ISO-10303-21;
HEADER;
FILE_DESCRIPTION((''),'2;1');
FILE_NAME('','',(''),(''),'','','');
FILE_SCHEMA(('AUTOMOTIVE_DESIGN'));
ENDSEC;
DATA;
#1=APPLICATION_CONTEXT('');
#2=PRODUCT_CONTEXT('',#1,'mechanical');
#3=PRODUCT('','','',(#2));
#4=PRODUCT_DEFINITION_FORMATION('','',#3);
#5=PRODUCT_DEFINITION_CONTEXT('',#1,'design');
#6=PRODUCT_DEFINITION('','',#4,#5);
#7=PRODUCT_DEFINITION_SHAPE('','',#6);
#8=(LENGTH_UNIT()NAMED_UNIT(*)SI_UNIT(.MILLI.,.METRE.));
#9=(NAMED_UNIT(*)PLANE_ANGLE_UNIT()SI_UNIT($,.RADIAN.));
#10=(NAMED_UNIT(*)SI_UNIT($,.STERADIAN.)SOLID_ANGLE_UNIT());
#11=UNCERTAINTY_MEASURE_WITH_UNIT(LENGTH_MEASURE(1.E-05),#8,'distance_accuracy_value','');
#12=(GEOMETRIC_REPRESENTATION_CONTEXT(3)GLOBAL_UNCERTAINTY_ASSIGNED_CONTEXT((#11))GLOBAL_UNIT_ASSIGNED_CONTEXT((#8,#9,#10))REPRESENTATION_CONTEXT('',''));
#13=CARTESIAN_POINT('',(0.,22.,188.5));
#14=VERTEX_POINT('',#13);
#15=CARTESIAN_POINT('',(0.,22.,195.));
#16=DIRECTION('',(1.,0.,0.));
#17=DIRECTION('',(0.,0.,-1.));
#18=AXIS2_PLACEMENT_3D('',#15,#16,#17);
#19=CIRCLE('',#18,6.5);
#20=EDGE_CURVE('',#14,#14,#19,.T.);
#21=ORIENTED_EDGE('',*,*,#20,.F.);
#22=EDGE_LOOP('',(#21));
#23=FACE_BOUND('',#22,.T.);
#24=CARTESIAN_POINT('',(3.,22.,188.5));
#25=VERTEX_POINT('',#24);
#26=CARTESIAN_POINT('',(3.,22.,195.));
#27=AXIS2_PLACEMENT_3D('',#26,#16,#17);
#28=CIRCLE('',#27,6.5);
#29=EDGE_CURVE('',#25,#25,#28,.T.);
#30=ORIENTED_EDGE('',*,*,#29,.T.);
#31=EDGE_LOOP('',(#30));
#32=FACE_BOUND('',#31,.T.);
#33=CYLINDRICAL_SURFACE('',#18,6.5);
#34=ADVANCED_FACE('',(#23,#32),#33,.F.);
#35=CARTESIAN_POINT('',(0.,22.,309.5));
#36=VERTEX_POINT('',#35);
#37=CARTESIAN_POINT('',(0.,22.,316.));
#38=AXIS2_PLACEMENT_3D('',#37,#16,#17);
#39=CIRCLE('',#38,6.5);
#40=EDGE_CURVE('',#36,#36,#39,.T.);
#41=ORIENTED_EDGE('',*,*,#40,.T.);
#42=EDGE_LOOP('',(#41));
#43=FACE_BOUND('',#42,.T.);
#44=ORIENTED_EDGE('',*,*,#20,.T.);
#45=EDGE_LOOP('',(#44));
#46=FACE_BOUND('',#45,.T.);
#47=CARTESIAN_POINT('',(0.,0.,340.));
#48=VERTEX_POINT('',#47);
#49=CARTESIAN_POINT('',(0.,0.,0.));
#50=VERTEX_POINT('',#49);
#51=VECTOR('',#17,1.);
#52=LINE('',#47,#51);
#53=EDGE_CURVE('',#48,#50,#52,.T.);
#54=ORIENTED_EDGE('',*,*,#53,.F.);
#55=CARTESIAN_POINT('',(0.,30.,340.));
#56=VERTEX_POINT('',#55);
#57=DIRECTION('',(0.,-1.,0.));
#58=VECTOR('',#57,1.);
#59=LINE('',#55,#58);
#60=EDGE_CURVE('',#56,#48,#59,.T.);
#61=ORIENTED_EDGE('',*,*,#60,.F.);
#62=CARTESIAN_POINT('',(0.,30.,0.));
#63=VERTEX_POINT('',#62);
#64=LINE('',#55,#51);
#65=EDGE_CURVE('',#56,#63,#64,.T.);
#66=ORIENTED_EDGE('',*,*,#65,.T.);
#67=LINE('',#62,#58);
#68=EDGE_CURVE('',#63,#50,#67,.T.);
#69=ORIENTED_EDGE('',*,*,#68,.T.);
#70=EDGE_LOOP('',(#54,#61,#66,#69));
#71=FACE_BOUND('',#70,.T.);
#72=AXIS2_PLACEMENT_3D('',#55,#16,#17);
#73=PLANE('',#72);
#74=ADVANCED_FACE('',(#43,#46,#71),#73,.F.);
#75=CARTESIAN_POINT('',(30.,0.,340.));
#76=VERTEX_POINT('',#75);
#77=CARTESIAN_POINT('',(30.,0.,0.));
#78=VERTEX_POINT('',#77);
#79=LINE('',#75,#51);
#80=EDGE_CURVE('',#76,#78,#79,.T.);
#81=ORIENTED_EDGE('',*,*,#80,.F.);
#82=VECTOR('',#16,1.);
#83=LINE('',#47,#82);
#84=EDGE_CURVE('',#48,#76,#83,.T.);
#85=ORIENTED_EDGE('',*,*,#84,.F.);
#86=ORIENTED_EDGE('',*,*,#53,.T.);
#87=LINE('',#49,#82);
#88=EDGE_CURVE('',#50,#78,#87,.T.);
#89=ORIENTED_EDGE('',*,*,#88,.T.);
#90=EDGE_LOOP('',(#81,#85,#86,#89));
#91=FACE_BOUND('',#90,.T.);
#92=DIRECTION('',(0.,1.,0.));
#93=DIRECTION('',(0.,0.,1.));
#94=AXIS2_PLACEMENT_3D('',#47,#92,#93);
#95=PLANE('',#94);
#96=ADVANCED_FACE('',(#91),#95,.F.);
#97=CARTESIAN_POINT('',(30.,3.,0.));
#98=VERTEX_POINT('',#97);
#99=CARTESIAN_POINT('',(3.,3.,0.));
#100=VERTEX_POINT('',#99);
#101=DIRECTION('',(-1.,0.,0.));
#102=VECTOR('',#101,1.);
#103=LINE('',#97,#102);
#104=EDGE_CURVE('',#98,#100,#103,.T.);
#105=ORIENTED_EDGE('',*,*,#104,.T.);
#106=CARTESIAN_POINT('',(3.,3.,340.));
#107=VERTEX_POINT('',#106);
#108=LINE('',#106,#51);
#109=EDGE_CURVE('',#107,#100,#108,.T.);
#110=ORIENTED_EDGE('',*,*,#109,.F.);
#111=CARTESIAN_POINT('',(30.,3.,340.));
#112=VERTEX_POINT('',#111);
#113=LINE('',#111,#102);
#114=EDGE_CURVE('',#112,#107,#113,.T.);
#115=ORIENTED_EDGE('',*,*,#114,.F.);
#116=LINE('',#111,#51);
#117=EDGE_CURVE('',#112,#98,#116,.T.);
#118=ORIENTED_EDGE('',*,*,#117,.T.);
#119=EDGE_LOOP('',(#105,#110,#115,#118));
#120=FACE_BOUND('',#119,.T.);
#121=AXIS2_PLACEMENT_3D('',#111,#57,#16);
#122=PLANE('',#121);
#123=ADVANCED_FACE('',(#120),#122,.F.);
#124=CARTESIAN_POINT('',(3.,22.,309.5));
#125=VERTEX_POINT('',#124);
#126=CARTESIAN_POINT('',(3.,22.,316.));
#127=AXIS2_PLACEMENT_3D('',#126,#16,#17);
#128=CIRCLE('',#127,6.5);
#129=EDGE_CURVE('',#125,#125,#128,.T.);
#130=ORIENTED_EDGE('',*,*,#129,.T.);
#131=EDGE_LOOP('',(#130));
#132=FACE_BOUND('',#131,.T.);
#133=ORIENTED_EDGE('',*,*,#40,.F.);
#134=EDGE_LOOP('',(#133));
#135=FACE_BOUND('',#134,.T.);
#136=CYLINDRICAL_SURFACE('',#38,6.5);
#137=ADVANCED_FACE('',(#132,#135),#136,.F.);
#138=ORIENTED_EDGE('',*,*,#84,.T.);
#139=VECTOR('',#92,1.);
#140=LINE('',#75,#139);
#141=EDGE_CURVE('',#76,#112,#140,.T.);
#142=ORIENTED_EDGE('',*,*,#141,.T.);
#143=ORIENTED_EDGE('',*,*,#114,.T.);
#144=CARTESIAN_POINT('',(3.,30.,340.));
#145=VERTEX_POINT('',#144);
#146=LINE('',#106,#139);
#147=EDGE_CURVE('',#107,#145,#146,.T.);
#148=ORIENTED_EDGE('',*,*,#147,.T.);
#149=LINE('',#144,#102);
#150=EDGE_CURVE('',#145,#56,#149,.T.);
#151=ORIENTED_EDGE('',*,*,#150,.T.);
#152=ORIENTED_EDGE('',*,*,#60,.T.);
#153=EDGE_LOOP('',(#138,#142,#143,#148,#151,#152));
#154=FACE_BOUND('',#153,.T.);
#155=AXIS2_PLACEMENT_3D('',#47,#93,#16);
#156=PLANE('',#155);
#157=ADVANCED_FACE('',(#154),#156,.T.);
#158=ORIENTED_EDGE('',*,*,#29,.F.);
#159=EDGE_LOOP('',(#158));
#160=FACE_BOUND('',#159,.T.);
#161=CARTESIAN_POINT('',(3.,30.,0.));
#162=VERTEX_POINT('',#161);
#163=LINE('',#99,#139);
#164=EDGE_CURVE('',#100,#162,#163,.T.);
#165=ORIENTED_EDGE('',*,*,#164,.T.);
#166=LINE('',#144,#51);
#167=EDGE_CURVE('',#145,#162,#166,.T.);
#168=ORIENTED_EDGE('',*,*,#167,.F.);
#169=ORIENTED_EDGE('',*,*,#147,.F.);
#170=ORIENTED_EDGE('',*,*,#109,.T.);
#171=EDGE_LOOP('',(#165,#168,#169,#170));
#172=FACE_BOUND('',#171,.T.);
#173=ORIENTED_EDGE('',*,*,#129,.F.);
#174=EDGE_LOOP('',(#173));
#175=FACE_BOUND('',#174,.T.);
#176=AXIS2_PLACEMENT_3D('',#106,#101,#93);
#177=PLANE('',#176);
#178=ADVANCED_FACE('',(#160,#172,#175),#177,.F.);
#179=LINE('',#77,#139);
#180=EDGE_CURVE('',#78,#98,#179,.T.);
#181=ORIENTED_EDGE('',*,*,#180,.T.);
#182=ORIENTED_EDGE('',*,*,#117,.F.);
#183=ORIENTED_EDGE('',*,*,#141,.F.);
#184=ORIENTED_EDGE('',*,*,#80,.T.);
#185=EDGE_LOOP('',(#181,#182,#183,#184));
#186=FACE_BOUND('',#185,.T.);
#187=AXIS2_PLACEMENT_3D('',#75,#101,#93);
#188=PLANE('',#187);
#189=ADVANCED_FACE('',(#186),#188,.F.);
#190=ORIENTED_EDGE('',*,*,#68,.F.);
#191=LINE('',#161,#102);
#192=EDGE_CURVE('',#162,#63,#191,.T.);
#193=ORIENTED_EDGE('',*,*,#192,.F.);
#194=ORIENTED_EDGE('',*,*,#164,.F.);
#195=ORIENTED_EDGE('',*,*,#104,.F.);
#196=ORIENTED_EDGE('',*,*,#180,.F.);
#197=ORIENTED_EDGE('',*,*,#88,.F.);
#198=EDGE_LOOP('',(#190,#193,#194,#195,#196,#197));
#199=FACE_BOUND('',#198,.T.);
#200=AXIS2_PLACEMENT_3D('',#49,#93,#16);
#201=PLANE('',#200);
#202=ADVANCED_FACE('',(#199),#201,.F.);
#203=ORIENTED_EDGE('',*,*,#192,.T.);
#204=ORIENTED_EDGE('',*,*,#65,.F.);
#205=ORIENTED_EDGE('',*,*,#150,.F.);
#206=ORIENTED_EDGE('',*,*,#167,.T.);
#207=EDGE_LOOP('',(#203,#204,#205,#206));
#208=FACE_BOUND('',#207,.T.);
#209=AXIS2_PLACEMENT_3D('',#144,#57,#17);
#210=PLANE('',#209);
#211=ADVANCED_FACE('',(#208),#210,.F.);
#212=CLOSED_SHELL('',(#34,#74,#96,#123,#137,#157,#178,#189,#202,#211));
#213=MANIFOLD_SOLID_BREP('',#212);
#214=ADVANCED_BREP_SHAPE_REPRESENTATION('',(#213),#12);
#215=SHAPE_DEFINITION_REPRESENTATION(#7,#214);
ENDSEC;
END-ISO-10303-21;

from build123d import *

# Parameters (mm, degrees)
ESTRUSIONE_ESTRUSIONE1_DEPTH = 340
SCHIZZO2_R                   = 6.5
TAGLIO_ESTRUSIONE1_DEPTH     = 343.387207705


with BuildPart() as part:
    # Schizzo1 → Estrusione-Estrusione1 (new body)
    with BuildSketch(Plane.XY):
        Polygon((0, 30), (0, 0), (30, 0), (30, 3), (3, 3), (3, 30), align=None)
    extrude(amount=ESTRUSIONE_ESTRUSIONE1_DEPTH)

    # Schizzo2 → Taglio-Estrusione1 (cut, through all)
    with BuildSketch(Plane(origin=(3, 0, 0), x_dir=(0, 0, -1), z_dir=(1, 0, 0))):
        with Locations((-195, 22)):
            Circle(SCHIZZO2_R)
        with Locations((-316, 22)):
            Circle(SCHIZZO2_R)
    extrude(amount=-TAGLIO_ESTRUSIONE1_DEPTH, mode=Mode.SUBTRACT)


solid = part.part
